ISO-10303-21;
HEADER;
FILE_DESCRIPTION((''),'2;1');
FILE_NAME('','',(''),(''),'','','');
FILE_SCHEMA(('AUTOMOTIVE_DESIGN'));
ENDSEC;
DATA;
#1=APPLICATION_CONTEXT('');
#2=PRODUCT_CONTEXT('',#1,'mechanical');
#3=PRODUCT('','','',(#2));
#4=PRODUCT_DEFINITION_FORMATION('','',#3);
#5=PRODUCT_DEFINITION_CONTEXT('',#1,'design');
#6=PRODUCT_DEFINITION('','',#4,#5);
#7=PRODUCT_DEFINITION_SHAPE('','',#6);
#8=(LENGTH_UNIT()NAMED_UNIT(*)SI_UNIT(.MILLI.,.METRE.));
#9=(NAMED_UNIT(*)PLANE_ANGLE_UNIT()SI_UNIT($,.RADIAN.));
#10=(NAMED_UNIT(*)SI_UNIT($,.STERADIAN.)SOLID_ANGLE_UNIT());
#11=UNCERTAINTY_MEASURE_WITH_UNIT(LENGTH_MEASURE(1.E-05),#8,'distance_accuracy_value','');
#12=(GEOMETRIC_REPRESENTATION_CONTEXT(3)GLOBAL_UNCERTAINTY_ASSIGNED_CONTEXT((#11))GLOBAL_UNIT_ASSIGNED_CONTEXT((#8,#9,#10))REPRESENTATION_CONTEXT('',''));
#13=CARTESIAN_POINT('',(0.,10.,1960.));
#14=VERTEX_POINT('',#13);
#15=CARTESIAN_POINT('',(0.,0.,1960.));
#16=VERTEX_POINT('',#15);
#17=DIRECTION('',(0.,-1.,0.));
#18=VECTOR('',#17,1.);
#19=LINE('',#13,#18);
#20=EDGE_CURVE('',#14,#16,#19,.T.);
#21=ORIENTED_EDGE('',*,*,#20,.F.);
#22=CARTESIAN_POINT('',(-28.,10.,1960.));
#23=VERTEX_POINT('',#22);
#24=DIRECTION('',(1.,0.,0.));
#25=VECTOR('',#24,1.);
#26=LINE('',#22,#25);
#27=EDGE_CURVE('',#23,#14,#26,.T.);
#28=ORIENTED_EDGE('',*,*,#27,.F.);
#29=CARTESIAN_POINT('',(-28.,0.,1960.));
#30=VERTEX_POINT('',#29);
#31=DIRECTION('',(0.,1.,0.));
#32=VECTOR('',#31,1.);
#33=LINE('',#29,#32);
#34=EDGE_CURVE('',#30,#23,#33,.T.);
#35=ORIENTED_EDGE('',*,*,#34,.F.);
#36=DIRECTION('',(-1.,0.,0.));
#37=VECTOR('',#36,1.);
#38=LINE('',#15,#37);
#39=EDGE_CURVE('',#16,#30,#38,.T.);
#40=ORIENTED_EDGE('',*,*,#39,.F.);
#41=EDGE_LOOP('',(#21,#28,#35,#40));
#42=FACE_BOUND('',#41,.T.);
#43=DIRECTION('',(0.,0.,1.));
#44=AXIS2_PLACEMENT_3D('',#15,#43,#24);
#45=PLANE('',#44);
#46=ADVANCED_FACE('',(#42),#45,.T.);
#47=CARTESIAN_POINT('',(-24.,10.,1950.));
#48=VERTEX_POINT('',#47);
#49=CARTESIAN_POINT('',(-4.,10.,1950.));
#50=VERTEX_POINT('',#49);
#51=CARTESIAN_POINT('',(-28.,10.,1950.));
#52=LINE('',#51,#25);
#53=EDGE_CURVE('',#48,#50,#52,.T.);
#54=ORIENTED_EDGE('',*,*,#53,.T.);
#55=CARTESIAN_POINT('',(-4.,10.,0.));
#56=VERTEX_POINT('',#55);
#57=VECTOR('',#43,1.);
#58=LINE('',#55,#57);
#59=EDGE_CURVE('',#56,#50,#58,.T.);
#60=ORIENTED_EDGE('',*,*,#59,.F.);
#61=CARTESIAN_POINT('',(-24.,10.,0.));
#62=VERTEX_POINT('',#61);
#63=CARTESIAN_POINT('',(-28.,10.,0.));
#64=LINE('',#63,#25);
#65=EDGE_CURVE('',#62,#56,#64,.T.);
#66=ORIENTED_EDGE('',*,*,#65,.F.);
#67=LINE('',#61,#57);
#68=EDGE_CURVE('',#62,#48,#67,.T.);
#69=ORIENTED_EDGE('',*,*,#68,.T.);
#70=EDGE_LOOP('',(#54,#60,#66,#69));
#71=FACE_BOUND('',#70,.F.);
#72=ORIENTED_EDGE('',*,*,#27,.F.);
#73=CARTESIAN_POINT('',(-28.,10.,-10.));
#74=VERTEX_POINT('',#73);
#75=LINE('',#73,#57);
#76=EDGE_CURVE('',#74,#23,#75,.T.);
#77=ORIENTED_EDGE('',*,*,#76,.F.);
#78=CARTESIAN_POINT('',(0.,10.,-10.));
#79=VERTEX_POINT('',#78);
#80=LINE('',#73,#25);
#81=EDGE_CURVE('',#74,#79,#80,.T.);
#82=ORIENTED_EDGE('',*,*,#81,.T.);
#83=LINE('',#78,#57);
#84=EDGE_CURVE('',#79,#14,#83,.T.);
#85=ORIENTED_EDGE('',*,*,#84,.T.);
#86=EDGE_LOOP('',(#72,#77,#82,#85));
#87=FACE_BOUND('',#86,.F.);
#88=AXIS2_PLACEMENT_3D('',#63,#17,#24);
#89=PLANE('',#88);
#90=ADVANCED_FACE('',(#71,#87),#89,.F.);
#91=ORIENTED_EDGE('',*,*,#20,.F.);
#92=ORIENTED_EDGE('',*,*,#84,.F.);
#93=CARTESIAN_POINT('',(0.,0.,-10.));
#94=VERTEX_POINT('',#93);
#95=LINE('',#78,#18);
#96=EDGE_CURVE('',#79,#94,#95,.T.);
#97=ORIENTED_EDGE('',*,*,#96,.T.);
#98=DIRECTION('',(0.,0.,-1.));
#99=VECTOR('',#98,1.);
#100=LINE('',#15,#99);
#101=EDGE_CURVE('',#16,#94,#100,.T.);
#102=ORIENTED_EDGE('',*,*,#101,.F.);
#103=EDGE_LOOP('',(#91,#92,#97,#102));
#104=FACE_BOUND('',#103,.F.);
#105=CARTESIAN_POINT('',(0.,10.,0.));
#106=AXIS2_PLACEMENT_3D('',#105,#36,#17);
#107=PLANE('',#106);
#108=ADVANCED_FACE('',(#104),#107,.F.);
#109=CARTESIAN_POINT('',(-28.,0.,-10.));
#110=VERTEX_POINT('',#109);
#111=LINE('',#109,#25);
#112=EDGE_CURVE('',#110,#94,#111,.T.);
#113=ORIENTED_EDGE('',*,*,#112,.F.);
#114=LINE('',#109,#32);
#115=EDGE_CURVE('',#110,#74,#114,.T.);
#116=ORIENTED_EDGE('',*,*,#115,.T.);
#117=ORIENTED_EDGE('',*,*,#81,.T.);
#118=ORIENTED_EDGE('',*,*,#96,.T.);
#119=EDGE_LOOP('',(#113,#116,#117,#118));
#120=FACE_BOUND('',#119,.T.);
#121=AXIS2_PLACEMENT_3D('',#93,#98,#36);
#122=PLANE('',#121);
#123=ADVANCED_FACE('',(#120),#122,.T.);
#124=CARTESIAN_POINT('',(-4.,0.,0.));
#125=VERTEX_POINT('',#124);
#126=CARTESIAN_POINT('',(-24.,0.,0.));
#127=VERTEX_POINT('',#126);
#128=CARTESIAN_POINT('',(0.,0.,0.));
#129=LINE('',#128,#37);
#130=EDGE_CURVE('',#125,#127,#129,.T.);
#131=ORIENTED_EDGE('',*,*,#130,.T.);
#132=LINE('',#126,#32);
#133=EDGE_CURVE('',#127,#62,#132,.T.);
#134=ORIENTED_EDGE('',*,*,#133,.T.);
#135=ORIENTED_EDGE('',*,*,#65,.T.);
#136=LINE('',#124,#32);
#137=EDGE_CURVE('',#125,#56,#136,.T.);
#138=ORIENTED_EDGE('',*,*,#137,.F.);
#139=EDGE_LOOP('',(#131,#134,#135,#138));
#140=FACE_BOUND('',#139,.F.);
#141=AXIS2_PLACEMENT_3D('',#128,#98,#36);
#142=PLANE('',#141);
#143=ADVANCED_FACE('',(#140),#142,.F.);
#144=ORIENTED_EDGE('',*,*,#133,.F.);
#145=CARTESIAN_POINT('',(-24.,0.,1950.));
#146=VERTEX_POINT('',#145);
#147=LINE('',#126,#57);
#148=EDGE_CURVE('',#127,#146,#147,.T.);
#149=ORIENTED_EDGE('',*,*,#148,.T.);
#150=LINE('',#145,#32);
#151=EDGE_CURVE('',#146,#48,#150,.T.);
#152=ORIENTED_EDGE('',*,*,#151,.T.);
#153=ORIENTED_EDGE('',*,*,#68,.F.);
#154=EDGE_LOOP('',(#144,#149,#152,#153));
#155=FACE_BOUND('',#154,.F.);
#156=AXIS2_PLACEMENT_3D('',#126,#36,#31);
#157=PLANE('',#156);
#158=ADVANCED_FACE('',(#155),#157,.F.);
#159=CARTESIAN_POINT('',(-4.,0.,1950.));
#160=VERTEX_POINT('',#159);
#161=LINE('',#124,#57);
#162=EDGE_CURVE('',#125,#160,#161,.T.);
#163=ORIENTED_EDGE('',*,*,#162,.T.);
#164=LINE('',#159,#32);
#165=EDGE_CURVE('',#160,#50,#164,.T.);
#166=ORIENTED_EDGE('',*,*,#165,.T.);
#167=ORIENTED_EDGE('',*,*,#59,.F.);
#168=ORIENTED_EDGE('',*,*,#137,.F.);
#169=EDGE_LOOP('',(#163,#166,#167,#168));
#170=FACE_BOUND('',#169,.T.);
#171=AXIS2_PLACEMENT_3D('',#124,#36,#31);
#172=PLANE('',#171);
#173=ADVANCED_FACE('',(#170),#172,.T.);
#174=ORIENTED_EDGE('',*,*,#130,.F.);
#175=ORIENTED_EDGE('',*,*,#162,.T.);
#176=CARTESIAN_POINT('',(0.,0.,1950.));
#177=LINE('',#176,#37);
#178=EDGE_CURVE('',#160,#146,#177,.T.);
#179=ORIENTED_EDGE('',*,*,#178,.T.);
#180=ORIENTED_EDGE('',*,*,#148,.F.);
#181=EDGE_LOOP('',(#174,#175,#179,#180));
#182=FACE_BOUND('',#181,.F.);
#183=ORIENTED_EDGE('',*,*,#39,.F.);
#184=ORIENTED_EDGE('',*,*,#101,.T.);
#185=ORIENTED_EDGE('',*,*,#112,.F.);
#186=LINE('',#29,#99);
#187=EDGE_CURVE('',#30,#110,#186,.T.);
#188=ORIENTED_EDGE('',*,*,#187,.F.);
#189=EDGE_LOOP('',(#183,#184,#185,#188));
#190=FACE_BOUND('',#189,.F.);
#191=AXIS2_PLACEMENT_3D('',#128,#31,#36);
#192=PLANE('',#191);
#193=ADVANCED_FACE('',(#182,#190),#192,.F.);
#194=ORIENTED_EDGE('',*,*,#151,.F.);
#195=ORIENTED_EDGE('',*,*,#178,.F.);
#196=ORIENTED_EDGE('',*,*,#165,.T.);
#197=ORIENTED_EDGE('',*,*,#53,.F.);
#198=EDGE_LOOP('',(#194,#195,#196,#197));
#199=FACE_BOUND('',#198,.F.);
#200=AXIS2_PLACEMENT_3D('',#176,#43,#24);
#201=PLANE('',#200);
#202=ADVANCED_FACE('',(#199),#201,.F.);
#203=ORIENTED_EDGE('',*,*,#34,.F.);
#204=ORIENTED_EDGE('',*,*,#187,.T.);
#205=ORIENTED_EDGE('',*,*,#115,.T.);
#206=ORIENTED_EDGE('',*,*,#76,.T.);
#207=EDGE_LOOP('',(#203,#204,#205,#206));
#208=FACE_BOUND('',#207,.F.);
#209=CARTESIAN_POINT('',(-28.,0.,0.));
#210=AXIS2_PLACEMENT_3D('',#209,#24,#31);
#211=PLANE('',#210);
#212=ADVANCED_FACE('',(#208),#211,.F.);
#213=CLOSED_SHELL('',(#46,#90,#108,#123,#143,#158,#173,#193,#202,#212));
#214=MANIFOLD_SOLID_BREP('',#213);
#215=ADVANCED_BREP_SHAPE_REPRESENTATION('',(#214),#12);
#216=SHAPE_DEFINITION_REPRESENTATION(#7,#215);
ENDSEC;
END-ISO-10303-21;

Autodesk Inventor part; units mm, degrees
ref_plane "YZ Plane" through (0, 0, 0) normal (1, 0, 0) x (0, 1, 0)
ref_plane "XZ Plane" through (0, 0, 0) normal (0, 1, 0) x (-1, 0, 0)
ref_plane "XY Plane" through (0, 0, 0) normal (0, 0, 1) x (1, 0, 0)
sketch "Sketch1" plane through (0, 0, 0) normal (0, 0, 1) x (1, 0, 0)
  line L0 (0, 0) -> (-4, 0)
  line L1 (-4, 0) -> (-4, 10)
  line L2 (-4, 10) -> (0, 10)
  line L3 (0, 10) -> (0, 0)
  line L4 (-28, 0) -> (-24, 0)
  line L5 (-24, 0) -> (-24, 10)
  line L6 (-24, 10) -> (-28, 10)
  line L7 (-28, 10) -> (-28, 0)
  dimension "d0" = 4
  dimension "d1" = 10
extrude "Extrusion1" add sketch "Sketch1" along normal blind 1950
sketch "Sketch2" plane through (0, 0, 1950) normal (0, 0, 1) x (1, 0, 0)
  line L0 (-24, 10) -> (-28, 10) projected
  line L1 (-28, 10) -> (0, 10)
  line L2 (0, 10) -> (0, 0)
  line L3 (0, 0) -> (-28, 0)
  line L4 (-28, 0) -> (-28, 10)
extrude "Extrusion2" add sketch "Sketch2" along normal blind 10
sketch "Sketch3" plane through (0, 0, 0) normal (0, 0, -1) x (-1, 0, 0)
  line L0 (0, 0) -> (4, 0) projected
  line L1 (0, 0) -> (28, 0)
  line L2 (28, 0) -> (28, 10)
  line L3 (28, 10) -> (0, 10)
  line L4 (0, 10) -> (0, 0)
extrude "Extrusion3" add sketch "Sketch3" along normal blind 10
